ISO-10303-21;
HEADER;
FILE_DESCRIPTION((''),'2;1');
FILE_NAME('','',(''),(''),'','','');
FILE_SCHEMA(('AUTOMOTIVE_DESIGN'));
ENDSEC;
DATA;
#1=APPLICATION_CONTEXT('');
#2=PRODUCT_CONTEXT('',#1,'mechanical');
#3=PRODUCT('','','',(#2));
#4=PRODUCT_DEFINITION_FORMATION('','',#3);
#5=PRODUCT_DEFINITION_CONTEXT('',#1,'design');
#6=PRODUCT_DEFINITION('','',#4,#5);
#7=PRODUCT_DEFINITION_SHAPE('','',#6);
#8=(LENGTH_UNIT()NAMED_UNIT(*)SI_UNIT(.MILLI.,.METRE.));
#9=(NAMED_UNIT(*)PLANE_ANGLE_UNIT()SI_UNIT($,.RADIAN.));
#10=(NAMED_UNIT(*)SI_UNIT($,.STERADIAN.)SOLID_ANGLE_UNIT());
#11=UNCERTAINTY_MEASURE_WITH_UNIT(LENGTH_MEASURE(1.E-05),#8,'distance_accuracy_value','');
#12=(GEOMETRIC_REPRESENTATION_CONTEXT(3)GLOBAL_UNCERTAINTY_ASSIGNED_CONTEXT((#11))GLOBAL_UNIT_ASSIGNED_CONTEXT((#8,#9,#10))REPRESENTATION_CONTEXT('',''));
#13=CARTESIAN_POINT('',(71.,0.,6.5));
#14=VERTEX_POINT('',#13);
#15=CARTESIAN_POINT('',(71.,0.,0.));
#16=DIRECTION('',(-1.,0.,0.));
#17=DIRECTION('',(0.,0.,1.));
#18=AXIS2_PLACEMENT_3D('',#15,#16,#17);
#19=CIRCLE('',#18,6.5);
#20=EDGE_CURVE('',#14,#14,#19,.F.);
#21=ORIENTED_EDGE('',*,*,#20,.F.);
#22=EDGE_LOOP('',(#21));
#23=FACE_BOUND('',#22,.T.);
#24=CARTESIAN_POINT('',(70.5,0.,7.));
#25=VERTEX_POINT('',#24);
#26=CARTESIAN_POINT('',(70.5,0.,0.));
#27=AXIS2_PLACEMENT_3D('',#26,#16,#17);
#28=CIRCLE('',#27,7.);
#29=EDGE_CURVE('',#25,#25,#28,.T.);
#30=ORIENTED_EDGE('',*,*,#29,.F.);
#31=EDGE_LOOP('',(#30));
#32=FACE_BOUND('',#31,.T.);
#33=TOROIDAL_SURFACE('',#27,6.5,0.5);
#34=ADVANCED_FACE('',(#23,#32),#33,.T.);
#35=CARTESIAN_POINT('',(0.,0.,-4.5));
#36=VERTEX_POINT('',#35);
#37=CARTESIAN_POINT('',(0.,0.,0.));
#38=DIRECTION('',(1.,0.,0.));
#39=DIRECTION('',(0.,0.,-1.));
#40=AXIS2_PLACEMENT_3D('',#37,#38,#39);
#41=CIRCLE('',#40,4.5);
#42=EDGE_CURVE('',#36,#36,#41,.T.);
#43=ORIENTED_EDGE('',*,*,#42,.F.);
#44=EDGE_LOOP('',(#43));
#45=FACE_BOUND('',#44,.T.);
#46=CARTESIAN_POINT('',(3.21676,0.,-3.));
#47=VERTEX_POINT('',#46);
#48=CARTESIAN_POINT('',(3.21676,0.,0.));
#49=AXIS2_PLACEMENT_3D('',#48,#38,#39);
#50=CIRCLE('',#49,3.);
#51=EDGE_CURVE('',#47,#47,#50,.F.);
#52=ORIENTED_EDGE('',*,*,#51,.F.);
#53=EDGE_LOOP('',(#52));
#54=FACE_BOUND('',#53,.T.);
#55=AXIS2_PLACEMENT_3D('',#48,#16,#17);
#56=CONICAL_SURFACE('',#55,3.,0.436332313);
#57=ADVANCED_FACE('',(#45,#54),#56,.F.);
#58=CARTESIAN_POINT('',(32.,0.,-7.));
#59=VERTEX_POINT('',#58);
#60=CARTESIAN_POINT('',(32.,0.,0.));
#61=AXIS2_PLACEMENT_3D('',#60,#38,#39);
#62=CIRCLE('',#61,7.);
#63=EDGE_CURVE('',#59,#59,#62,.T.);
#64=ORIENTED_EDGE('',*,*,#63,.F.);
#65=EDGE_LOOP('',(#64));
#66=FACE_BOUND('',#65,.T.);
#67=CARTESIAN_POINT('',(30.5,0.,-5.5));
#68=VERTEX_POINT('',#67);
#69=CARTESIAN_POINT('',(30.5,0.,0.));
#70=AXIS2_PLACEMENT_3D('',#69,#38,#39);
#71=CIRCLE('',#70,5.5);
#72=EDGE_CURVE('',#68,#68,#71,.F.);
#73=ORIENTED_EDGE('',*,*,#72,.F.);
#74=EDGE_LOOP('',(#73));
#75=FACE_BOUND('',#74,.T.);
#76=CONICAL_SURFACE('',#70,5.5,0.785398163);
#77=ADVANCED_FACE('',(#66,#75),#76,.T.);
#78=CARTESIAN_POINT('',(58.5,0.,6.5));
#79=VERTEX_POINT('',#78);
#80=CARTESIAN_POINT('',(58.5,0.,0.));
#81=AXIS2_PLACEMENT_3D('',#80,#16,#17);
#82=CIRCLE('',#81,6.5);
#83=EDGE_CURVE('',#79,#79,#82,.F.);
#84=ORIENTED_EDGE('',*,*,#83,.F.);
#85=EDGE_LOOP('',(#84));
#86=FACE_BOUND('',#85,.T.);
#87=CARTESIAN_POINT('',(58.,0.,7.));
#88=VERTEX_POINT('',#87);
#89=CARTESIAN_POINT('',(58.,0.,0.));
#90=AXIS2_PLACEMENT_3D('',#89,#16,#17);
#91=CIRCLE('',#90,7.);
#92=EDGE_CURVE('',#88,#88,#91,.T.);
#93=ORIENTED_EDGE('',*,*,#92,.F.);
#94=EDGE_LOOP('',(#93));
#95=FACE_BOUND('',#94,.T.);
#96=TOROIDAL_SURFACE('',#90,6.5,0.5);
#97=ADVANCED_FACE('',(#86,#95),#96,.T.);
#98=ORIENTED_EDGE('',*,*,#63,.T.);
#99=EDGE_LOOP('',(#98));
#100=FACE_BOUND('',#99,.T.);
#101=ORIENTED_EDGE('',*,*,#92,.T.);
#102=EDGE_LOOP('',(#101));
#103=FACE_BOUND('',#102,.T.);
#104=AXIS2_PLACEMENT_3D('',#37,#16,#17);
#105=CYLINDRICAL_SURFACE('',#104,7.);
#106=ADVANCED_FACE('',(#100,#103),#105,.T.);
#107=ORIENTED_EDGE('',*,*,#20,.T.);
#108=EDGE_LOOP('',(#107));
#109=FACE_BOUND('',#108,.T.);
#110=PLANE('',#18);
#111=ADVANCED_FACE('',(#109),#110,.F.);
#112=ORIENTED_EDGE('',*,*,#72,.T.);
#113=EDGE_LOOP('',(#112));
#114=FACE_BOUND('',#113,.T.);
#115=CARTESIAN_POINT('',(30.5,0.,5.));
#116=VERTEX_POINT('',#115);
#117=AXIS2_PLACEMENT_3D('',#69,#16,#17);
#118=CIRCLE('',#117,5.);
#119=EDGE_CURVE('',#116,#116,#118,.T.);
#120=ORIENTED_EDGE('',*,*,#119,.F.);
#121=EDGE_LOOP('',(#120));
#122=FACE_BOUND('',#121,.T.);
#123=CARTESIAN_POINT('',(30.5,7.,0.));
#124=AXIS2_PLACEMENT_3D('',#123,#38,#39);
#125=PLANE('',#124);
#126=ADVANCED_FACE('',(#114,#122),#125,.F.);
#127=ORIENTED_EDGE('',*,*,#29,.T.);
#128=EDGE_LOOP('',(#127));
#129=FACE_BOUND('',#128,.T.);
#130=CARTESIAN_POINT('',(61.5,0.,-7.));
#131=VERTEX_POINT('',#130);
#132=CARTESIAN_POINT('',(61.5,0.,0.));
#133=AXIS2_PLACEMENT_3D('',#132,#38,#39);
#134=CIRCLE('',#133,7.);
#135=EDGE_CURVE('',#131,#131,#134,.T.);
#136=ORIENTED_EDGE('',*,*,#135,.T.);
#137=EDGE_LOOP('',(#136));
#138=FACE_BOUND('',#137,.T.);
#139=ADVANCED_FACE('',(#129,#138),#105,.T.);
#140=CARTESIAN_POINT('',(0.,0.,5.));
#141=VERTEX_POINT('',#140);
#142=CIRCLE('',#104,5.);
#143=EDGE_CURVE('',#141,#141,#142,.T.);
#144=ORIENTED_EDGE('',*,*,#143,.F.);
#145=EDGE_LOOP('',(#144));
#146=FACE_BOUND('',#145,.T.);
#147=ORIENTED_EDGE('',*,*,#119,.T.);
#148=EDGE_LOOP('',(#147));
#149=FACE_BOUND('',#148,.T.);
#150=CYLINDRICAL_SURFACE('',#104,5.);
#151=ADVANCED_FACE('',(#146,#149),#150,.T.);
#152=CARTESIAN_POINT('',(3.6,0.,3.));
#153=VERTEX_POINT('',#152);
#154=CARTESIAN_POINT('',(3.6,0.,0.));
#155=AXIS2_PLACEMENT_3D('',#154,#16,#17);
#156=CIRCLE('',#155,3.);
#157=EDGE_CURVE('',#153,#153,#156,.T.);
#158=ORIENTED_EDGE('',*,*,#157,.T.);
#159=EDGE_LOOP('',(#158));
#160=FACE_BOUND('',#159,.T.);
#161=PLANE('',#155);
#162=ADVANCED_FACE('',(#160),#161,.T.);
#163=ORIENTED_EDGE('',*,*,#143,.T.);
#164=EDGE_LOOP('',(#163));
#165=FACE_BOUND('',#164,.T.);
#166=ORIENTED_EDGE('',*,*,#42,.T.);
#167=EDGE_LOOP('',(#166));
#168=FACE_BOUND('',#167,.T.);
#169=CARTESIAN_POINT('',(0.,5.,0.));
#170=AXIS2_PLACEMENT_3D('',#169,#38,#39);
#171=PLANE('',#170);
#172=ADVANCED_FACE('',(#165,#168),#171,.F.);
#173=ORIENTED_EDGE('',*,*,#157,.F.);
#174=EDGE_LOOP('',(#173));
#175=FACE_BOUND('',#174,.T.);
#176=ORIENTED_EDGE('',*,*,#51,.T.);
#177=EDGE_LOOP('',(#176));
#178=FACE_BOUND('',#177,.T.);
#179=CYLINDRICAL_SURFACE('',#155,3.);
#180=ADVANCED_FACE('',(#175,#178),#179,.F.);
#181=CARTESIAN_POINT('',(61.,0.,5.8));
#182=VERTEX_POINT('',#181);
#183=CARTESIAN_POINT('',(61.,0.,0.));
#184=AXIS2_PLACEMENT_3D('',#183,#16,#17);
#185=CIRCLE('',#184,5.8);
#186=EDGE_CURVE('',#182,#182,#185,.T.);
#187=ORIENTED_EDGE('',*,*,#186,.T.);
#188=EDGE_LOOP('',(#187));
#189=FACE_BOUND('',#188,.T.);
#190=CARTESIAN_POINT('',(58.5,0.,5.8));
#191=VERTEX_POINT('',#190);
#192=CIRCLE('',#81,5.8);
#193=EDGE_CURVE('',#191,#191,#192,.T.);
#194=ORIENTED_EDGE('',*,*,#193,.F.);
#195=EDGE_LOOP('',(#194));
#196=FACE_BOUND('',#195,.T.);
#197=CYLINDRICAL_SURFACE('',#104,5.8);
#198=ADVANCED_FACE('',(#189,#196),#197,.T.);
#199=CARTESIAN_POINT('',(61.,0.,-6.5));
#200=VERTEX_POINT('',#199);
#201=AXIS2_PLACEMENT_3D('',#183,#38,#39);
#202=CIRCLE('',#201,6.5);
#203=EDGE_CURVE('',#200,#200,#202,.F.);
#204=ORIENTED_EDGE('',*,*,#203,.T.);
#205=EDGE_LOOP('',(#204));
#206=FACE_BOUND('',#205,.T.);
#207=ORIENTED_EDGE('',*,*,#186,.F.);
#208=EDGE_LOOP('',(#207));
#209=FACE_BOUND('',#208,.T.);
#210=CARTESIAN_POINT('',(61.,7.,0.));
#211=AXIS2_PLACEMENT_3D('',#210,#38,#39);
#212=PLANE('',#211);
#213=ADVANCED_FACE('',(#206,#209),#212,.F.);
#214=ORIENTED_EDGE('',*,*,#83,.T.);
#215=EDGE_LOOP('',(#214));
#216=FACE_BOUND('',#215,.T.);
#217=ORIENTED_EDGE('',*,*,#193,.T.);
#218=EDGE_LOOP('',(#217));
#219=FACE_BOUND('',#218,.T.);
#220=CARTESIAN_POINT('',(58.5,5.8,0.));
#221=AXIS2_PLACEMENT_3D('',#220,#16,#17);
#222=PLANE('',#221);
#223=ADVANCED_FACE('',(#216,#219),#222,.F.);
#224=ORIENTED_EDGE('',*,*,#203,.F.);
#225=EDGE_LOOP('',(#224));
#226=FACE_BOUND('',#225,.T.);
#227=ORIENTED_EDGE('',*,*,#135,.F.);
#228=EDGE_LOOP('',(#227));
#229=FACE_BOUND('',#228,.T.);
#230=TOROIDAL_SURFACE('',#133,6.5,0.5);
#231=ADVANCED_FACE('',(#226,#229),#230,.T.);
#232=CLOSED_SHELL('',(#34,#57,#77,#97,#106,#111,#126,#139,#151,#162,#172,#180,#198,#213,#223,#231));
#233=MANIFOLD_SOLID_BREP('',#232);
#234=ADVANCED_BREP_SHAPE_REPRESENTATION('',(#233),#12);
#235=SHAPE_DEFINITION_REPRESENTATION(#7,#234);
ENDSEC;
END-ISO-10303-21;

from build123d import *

# Parameters (mm, degrees)
ESBO_O2_R             = 3
CORTE_EXTRUS_O1_DEPTH = 3.6
CHANFRO2_SIZE         = 1.5
CHANFRO2_SIZE2        = 3.216760381
CHANFRO3_SIZE         = 1.5
FILETE3_R             = 0.5


with BuildPart() as part:
    # Esboço1 → Revolução1 (revolve)
    with BuildSketch(Plane.XY, mode=Mode.PRIVATE) as revolu_o1_sk:
        Polygon((0, 0), (71, 0), (71, 7), (61, 7), (61, 5.8), (58.5, 5.8), (58.5, 7), (30.5, 7), (30.5, 5), (0, 5), align=None)
    revolve(revolu_o1_sk.sketch.rotate(Axis((0, 0, 0), (1, 0, 0)), 90), axis=Axis((0, 0, 0), (1, 0, 0)))

    # Esboço2 → Corte-extrusão1 (cut)
    with BuildSketch(Plane.ZY):
        Circle(ESBO_O2_R)
    extrude(amount=-CORTE_EXTRUS_O1_DEPTH, mode=Mode.SUBTRACT)

    # Chanfro2
    chanfro2_edges = [part.edges().sort_by_distance(p)[0] for p in [
        (0, 0, -3),
    ]]
    chanfro2_side = [part.faces().sort_by_distance(p)[0] for p in [
        (0, 0, -4.858578644),
    ]]
    chamfer(chanfro2_edges, length=CHANFRO2_SIZE, length2=CHANFRO2_SIZE2, reference=chanfro2_side[0])

    # Chanfro3
    chanfro3_edges = [part.edges().sort_by_distance(p)[0] for p in [
        (30.5, 0, -7),
    ]]
    chamfer(chanfro3_edges, length=CHANFRO3_SIZE)

    # Filete3
    filete3_edges = [part.edges().sort_by_distance(p)[0] for p in [
        (71, 0, -7),
        (58.5, 0, -7),
        (61, 0, -7),
    ]]
    fillet(filete3_edges, radius=FILETE3_R)


solid = part.part
